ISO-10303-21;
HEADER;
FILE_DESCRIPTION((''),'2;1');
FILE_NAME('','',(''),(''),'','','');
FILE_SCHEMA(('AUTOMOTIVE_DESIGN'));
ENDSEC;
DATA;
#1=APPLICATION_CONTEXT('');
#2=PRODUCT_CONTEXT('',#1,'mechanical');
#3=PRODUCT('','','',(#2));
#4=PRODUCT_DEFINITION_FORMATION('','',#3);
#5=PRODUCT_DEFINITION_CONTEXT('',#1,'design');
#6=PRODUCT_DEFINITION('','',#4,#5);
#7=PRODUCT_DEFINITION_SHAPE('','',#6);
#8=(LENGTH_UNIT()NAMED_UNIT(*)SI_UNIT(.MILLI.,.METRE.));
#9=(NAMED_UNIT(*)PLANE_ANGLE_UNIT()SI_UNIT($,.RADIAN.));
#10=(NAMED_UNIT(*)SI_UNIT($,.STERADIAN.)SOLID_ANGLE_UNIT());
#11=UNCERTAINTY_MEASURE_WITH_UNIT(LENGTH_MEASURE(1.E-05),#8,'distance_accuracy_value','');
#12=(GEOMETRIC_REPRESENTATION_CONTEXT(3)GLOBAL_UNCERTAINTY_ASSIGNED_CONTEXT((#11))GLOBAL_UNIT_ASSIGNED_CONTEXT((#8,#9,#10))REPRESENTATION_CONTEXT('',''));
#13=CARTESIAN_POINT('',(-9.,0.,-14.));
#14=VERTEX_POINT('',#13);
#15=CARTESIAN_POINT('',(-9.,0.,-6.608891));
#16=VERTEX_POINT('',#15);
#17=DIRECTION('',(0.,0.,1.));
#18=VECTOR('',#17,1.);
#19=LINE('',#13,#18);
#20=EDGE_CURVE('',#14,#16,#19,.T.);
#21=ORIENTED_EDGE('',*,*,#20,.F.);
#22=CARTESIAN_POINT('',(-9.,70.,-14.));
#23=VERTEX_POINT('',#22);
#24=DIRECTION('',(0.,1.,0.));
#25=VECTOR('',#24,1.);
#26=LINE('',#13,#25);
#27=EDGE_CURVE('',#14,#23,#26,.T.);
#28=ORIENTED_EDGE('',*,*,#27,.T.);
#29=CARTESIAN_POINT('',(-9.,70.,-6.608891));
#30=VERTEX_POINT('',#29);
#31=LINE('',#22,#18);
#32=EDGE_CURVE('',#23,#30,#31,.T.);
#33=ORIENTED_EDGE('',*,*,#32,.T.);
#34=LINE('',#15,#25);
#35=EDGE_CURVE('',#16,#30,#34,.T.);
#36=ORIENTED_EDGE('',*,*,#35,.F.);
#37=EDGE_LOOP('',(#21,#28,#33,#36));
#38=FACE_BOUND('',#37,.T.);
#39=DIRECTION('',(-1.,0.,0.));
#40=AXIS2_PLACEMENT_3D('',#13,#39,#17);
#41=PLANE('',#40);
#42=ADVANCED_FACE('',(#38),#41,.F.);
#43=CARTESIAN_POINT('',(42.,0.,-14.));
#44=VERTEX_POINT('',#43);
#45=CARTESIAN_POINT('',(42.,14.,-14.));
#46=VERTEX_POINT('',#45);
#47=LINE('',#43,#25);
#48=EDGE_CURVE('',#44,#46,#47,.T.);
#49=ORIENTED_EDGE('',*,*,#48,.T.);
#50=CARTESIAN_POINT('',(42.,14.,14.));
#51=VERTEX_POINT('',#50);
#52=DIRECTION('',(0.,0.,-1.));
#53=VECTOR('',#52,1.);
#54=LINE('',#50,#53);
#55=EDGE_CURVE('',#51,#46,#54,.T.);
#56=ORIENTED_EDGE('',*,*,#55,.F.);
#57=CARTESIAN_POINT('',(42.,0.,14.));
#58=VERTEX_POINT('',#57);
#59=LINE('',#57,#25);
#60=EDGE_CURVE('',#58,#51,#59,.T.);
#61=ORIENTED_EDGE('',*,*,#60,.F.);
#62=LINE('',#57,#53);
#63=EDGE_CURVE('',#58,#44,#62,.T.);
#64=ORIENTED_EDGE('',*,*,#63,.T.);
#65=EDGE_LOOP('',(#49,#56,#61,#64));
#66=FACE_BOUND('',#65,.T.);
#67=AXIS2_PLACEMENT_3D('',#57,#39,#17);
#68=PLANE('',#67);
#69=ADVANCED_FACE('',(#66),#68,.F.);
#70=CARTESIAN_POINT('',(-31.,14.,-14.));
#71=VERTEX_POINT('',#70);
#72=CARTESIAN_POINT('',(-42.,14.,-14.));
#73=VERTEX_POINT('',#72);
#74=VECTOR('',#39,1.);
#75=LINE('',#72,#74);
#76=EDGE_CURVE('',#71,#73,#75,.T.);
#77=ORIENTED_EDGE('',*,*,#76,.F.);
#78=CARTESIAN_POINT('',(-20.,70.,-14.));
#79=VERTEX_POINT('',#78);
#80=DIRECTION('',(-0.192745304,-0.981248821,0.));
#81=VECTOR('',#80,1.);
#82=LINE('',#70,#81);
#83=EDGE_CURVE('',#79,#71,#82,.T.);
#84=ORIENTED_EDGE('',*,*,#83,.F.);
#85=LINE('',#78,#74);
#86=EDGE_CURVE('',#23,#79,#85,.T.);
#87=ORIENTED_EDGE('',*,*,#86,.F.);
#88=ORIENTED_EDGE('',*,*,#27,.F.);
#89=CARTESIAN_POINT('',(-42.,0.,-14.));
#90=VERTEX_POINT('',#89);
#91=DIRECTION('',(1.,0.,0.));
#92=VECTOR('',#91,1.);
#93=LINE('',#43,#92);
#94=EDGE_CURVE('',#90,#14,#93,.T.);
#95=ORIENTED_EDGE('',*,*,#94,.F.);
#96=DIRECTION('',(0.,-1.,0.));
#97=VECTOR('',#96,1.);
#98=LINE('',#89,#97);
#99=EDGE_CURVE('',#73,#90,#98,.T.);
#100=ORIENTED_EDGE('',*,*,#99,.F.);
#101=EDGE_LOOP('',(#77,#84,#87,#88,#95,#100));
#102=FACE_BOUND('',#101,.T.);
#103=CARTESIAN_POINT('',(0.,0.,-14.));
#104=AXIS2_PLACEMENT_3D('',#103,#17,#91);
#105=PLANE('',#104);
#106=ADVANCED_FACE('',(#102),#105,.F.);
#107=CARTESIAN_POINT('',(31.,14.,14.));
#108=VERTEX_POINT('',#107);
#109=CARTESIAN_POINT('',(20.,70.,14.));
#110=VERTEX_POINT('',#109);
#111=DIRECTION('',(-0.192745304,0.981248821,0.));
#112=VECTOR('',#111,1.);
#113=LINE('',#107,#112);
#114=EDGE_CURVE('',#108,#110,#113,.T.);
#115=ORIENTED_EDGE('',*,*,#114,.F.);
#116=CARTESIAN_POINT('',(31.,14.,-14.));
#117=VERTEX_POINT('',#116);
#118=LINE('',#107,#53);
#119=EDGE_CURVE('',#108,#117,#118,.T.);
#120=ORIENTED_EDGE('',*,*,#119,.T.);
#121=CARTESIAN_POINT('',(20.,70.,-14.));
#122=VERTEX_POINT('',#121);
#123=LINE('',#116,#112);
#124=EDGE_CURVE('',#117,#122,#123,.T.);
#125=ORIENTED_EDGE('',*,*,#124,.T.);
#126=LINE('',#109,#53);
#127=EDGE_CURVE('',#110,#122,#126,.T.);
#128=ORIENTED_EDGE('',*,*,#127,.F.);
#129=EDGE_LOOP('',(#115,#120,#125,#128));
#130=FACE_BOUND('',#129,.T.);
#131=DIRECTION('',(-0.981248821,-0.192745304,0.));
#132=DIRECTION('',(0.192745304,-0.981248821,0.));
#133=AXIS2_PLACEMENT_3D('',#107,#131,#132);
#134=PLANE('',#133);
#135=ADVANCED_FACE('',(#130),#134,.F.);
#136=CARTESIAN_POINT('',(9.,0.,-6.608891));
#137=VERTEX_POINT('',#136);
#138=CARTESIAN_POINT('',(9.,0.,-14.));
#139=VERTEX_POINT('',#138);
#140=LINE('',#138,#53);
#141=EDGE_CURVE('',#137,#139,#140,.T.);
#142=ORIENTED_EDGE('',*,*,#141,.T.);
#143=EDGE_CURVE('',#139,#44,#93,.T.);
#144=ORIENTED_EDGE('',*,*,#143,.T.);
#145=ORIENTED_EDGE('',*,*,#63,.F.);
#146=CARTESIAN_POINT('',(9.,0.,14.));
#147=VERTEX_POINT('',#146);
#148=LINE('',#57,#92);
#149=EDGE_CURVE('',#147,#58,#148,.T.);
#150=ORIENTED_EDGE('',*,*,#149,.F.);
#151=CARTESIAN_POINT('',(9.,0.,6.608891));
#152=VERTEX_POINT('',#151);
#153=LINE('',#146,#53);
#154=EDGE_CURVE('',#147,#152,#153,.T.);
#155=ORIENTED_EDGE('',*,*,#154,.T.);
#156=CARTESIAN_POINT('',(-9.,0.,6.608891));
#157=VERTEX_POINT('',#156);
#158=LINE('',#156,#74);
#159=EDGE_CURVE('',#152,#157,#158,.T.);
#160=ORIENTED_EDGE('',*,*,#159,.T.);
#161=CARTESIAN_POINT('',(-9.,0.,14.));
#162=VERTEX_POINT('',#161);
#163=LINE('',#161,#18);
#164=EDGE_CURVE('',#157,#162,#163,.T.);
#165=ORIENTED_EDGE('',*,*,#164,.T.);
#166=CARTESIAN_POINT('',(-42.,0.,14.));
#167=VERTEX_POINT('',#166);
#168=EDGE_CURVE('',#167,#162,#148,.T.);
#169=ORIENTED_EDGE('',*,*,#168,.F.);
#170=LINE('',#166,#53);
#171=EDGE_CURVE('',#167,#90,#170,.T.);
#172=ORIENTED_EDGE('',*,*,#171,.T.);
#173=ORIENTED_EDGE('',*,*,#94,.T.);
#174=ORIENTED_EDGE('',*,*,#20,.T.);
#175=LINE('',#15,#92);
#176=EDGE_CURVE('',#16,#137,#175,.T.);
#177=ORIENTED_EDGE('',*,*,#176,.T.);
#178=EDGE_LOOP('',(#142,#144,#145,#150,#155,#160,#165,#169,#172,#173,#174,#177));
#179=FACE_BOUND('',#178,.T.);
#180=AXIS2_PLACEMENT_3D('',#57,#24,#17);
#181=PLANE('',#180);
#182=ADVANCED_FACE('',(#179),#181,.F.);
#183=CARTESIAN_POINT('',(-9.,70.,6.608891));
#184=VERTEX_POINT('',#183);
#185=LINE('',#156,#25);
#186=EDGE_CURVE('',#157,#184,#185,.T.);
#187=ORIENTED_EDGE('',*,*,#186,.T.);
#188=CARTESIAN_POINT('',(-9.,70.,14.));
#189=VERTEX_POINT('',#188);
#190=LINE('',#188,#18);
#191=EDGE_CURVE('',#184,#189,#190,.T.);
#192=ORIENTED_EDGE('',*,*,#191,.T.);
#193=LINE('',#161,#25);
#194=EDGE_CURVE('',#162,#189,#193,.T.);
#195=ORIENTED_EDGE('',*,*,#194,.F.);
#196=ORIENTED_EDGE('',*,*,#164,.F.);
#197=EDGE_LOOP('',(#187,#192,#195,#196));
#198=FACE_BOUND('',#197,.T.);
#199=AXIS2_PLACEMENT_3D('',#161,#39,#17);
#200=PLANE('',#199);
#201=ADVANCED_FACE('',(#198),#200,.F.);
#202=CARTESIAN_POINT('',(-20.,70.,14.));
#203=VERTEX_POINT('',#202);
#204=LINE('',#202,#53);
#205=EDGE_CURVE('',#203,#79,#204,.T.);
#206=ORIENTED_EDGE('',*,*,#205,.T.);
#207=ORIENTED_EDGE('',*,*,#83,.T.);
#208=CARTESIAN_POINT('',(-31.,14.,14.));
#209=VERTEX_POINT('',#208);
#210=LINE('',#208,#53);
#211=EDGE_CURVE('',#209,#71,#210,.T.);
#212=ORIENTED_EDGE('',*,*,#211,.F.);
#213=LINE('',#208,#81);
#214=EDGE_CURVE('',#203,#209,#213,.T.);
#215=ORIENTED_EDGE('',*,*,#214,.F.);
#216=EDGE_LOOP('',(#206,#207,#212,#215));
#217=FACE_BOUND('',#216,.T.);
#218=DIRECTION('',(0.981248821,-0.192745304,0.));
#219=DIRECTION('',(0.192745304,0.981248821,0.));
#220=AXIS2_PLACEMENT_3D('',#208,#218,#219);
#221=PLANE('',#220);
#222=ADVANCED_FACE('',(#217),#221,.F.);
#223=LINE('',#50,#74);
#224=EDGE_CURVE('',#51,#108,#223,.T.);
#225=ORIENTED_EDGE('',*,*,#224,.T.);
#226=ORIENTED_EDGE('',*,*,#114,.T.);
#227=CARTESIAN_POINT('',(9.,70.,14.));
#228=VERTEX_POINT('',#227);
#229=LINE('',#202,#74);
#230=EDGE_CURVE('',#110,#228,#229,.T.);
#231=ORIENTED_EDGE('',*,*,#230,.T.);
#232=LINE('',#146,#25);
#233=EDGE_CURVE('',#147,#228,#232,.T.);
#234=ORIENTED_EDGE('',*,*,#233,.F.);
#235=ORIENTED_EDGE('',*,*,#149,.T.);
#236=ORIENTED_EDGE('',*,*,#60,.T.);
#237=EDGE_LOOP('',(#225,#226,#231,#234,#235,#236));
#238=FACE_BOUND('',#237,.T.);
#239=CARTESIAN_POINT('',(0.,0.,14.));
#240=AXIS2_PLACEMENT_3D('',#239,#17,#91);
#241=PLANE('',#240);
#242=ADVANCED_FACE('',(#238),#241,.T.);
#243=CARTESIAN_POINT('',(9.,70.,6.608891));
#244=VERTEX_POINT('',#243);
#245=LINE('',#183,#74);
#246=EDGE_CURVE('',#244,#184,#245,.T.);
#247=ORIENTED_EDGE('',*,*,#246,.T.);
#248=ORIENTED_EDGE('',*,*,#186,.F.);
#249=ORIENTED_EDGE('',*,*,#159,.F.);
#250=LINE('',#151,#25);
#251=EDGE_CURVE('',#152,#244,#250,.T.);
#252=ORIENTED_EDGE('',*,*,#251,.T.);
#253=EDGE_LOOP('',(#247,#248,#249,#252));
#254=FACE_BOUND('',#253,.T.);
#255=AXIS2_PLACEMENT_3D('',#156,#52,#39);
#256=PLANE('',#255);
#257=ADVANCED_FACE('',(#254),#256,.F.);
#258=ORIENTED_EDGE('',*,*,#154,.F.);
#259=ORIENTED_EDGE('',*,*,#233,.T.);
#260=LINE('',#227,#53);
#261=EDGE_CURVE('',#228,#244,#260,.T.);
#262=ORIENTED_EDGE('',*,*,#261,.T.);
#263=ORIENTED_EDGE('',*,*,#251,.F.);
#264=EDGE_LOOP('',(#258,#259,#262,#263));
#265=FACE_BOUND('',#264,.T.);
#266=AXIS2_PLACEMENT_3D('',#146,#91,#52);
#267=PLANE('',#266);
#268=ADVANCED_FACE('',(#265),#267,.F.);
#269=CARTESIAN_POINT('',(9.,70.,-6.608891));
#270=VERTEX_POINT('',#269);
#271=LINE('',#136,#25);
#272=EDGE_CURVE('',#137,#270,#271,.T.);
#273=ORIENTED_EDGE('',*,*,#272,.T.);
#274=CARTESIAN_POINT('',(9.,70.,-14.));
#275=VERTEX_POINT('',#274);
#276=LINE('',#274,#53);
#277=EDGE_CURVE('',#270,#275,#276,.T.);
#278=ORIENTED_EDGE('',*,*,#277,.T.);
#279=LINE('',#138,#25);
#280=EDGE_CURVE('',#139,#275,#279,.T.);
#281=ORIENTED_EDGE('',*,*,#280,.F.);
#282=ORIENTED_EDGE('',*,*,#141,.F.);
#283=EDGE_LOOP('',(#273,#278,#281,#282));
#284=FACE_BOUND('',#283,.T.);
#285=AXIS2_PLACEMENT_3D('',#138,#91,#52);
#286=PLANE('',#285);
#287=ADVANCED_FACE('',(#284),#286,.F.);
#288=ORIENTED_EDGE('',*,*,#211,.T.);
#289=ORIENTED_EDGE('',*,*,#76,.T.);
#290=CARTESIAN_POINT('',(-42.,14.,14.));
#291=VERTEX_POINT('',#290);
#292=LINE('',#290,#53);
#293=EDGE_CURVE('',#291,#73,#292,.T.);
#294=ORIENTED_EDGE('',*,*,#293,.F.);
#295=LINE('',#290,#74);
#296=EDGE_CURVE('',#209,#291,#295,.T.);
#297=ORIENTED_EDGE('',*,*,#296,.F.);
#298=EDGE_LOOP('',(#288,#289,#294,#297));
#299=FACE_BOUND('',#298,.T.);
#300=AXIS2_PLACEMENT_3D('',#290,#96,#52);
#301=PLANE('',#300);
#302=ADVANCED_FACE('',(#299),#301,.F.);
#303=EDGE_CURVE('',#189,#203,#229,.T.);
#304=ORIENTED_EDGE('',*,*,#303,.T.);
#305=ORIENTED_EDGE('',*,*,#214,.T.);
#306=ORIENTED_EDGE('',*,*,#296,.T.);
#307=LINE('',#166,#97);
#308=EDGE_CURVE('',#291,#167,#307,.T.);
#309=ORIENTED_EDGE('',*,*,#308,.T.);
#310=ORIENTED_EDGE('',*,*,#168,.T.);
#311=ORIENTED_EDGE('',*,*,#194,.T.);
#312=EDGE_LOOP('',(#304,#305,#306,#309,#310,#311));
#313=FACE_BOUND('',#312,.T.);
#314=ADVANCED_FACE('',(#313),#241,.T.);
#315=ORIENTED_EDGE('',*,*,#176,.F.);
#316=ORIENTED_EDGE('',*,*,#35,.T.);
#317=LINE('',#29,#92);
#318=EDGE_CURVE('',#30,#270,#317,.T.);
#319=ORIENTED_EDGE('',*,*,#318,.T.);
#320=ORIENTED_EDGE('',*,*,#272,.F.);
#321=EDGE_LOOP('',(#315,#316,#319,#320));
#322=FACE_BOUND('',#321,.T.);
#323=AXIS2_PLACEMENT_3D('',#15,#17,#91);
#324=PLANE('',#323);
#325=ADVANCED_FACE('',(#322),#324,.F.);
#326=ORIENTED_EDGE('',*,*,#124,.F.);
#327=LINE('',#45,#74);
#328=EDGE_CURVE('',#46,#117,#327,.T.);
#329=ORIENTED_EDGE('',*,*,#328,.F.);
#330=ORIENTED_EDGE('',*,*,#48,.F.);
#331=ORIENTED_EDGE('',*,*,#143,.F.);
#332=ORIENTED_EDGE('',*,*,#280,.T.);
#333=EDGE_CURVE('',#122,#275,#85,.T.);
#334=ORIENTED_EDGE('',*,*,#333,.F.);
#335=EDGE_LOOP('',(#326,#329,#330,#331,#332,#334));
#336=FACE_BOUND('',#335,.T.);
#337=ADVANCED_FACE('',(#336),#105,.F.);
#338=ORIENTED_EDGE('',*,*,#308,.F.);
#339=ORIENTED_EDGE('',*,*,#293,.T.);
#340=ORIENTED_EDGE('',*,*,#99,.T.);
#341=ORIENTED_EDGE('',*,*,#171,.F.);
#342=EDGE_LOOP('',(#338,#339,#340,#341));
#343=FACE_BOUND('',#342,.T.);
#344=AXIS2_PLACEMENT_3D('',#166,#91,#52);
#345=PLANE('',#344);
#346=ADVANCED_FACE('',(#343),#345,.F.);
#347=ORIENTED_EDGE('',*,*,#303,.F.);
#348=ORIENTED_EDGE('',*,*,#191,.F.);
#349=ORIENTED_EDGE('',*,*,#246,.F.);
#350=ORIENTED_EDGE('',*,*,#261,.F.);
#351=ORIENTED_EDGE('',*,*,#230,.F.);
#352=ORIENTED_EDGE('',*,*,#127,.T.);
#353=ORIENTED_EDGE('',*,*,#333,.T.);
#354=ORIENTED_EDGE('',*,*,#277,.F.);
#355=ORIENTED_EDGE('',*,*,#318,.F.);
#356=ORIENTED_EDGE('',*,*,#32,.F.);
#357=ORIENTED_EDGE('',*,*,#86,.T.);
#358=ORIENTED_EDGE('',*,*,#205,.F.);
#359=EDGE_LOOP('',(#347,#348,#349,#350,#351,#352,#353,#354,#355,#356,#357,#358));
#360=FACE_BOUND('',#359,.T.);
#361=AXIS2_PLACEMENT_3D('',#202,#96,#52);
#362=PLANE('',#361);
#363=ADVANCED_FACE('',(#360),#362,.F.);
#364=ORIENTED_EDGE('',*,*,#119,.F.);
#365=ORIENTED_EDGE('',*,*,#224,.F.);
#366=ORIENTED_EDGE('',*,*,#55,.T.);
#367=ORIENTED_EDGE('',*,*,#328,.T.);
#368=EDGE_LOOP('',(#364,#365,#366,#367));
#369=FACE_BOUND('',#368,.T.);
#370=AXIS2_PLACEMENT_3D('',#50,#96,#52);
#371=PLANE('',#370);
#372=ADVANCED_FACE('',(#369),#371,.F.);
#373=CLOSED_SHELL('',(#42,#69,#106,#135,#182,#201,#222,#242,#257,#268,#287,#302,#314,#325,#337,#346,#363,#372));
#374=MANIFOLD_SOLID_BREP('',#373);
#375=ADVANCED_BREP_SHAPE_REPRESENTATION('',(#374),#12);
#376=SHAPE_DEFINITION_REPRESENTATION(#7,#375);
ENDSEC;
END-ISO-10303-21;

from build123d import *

# Parameters (mm, degrees)
SALIENTE_EXTRUIR1_DEPTH = 14
CROQUIS3_W              = 18
CROQUIS3_H              = 7.391109276
CORTAR_EXTRUIR1_DEPTH   = 83.825116963


with BuildPart() as part:
    # Croquis1 → Saliente-Extruir1 (new, symmetric)
    with BuildSketch(Plane.XY):
        Polygon((42, 0), (-42, 0), (-42, 14), (-31, 14), (-20, 70), (20, 70), (31, 14), (42, 14), align=None)
    extrude(amount=SALIENTE_EXTRUIR1_DEPTH, both=True)

    # Croquis3 → Cortar-Extruir1 (cut, through all)
    with BuildSketch(Plane(origin=(0, 70, 0), x_dir=(1, 0, 0), z_dir=(0, 1, 0))):
        with Locations((0, 10.304445362)):
            Rectangle(CROQUIS3_W, CROQUIS3_H)
        with Locations((0, -10.304445362)):
            Rectangle(CROQUIS3_W, CROQUIS3_H)
    extrude(amount=-CORTAR_EXTRUIR1_DEPTH, mode=Mode.SUBTRACT)


solid = part.part
